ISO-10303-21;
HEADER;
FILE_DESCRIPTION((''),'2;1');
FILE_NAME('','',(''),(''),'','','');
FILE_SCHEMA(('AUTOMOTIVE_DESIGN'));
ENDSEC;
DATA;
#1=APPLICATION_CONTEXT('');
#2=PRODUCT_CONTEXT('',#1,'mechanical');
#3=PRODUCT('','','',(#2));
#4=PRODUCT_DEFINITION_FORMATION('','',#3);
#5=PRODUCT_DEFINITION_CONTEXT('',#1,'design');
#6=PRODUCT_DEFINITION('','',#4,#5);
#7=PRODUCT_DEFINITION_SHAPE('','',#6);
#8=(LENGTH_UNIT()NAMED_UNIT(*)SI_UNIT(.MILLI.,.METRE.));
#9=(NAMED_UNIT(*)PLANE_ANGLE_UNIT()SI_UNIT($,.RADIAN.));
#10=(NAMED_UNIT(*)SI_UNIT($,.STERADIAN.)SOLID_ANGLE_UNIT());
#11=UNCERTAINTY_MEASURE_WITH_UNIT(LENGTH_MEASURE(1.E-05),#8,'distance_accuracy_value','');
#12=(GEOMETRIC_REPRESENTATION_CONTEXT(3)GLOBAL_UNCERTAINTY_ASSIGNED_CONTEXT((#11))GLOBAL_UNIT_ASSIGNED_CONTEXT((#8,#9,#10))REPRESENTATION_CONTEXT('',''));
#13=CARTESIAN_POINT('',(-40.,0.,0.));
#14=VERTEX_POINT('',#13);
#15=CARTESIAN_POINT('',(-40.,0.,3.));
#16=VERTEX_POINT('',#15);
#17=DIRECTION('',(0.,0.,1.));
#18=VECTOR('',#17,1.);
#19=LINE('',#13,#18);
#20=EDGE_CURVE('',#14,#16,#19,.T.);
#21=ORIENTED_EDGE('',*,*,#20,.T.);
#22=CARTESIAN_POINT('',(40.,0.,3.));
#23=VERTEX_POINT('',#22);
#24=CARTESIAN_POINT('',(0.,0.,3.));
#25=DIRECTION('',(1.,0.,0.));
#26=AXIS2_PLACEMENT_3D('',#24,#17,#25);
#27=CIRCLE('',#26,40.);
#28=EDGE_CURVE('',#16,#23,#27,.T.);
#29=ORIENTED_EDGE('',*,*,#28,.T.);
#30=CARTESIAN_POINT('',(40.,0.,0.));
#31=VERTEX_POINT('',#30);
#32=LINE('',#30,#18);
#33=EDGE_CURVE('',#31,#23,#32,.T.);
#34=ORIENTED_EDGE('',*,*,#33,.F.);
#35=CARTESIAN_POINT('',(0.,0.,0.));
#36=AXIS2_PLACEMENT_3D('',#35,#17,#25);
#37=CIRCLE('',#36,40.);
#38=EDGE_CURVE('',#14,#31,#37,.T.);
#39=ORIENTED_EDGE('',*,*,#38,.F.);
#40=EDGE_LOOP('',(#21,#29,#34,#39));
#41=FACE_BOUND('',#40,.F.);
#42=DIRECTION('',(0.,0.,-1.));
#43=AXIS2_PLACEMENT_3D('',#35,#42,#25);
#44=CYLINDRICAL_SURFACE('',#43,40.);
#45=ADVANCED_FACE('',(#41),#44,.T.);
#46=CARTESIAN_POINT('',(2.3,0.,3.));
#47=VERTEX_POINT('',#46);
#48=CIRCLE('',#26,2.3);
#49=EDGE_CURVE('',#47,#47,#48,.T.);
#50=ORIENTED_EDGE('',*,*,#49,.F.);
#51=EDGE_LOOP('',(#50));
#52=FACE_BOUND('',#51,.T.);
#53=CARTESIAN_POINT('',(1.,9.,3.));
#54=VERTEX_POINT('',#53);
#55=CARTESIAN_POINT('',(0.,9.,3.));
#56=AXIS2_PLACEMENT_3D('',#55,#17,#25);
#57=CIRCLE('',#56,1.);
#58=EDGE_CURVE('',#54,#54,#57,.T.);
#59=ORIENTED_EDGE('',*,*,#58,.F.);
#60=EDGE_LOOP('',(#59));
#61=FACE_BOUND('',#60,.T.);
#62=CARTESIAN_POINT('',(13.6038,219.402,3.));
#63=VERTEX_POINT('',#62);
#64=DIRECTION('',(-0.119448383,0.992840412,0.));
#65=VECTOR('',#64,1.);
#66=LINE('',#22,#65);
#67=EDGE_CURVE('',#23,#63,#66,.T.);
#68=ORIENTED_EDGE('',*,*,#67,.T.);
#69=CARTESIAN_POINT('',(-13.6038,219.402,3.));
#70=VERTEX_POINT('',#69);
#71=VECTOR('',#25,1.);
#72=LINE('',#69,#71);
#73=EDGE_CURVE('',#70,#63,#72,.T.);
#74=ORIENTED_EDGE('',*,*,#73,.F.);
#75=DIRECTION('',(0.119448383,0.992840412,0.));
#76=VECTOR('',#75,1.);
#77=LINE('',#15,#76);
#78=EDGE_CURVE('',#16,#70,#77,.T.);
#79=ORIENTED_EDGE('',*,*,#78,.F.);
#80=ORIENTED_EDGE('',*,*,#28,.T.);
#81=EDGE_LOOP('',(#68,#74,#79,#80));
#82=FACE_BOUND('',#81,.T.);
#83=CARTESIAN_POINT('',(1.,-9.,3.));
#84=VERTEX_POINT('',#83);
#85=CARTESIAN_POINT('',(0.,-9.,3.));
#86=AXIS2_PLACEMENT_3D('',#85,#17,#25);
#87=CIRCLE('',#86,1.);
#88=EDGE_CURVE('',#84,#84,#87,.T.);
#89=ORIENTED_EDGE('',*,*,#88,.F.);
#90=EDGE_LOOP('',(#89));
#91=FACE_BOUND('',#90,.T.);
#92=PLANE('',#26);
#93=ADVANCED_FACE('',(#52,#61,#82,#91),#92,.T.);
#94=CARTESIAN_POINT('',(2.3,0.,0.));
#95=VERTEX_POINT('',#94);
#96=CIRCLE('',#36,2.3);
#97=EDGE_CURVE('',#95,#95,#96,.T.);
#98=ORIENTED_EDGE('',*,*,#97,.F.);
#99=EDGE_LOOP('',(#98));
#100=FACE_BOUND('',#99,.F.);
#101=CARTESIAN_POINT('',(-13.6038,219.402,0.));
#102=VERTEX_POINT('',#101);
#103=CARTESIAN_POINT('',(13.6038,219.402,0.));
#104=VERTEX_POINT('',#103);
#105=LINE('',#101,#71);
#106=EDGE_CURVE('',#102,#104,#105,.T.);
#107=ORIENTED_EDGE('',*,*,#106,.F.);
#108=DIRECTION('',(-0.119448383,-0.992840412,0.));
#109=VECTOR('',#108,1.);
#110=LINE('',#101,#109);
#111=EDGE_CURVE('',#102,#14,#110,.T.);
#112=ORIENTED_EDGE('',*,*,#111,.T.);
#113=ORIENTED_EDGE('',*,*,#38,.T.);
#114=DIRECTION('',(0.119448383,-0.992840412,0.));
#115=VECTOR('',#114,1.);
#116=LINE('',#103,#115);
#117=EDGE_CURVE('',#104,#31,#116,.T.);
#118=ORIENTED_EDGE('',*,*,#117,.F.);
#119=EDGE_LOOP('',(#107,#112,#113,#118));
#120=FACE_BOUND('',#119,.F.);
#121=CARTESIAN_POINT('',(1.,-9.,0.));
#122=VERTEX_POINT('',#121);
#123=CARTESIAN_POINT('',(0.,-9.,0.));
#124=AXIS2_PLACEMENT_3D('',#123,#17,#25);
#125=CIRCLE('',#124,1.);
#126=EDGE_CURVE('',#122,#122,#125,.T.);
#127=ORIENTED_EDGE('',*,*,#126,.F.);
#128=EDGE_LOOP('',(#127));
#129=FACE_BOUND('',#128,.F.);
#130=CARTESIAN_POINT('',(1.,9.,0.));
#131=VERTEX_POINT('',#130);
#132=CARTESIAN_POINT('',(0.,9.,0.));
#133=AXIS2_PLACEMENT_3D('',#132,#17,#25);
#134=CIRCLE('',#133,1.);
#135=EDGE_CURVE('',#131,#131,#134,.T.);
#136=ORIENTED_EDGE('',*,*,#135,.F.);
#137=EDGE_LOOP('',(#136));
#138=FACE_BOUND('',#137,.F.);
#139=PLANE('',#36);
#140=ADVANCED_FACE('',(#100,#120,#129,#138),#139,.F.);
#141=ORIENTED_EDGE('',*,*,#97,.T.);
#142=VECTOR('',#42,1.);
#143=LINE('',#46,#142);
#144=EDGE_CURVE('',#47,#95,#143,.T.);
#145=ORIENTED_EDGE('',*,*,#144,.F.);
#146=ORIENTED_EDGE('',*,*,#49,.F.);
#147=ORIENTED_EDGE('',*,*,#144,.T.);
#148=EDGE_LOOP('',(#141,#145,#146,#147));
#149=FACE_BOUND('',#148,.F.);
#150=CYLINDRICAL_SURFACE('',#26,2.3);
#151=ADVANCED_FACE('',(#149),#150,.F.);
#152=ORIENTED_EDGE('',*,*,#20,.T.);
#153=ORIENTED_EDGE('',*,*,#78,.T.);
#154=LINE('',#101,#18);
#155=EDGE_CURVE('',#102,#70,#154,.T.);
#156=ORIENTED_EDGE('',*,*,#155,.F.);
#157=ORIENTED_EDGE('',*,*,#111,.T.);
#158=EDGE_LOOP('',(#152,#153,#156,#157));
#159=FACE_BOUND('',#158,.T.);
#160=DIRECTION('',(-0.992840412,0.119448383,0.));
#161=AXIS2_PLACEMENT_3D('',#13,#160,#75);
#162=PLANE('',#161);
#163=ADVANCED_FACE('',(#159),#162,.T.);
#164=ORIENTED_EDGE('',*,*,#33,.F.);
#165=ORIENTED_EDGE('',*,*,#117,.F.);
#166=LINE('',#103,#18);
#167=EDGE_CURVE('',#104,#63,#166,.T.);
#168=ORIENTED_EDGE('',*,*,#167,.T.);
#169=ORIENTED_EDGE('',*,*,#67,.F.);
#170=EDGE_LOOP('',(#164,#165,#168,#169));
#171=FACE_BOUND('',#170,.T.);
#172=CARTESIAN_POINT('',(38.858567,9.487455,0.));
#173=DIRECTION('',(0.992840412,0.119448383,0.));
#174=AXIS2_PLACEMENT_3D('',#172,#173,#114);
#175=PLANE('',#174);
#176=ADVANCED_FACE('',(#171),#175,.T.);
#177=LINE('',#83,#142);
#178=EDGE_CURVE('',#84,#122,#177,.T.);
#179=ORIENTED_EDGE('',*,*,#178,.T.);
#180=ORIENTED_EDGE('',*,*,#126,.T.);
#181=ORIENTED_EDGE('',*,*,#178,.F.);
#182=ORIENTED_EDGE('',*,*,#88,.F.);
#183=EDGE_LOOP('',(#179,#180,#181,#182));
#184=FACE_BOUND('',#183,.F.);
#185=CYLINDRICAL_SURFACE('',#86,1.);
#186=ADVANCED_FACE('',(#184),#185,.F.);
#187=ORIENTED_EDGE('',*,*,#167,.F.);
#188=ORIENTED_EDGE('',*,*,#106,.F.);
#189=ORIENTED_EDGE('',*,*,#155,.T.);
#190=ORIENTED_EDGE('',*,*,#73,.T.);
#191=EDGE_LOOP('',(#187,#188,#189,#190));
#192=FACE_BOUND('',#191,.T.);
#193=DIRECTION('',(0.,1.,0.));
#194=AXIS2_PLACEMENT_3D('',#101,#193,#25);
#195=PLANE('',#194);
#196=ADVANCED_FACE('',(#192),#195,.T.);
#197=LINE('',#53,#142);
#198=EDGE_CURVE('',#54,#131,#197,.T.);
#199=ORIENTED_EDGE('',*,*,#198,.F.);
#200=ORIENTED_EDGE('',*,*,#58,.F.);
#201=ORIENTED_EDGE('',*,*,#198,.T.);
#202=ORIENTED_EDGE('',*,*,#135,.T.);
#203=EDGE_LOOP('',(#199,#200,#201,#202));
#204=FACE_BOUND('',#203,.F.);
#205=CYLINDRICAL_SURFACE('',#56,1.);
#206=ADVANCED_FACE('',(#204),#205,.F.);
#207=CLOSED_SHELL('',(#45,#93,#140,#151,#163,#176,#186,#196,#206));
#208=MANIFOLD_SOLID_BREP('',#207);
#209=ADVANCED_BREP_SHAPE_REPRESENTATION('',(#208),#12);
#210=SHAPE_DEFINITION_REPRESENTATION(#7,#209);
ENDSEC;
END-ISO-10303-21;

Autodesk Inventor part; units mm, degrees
ref_plane "YZ Plane" through (0, 0, 0) normal (1, 0, 0) x (0, 1, 0)
ref_plane "XZ Plane" through (0, 0, 0) normal (0, 1, 0) x (-1, 0, 0)
ref_plane "XY Plane" through (0, 0, 0) normal (0, 0, 1) x (1, 0, 0)
sketch "Эскиз1" plane through (0, 0, 0) normal (0, 0, 1) x (1, 0, 0)
  circle A0 centre (0, 0) radius 40
  line L0 (-40, 0) -> (-13.6038, 219.402)
  line L1 (-13.6038, 219.402) -> (13.6038, 219.402)
  line L2 (13.6038, 219.402) -> (40, 0)
  line L3 (0, 0) -> (0, 40) construction
  line L4 (0, 0) -> (40, 0) construction
  point P0 (0, 219.402)
  dimension "d0" = 80
extrude "Выдавливание1" add sketch "Эскиз1" along normal blind 3 contours L0 A0 L2 | L0 L1 L2 A0
sketch "Эскиз2" plane through (0, 0, 3) normal (0, 0, 1) x (1, 0, 0)
  arc A0 (3, 2.25) -> (-3, 2.25) centre (0, 0) ccw construction
  line L0 (-1.9929, 14.1684) -> (-3, 2.25) construction
  arc A1 (1.9929, 14.1684) -> (-1.9929, 14.1684) centre (0, 14) ccw construction
  line L1 (3, 2.25) -> (1.9929, 14.1684) construction
  circle A2 centre (0, 13) radius 0.5 construction
  circle A3 centre (0, 11) radius 0.5 construction
  circle A4 centre (0, 9) radius 0.5 construction
  circle A5 centre (0, 7) radius 0.5 construction
  circle A6 centre (0, 5) radius 0.5 construction
  circle A7 centre (0, 15) radius 0.5 construction
  arc A8 (-1.9929, -14.1684) -> (1.9929, -14.1684) centre (0, -14) ccw construction
  line L2 (-3, -2.25) -> (-1.9929, -14.1684) construction
  arc A9 (-3, -2.25) -> (3, -2.25) centre (0, 0) ccw construction
  line L3 (1.9929, -14.1684) -> (3, -2.25) construction
  circle A10 centre (0, -5) radius 0.5 construction
  circle A11 centre (0, -7) radius 0.5 construction
  circle A12 centre (0, -9) radius 0.5 construction
  circle A13 centre (0, -11) radius 0.5 construction
  circle A14 centre (0, -13) radius 0.5 construction
  circle A15 centre (0, -15) radius 0.5 construction
  circle A16 centre (0, 0) radius 2.3 projected
  circle A17 centre (0, 9) radius 1
  circle A18 centre (0, -9) radius 1
  point P0 (0, 0)
  dimension "d3" = 2
  dimension "d4" = 2
extrude "Выдавливание2" cut sketch "Эскиз2" against normal blind 10
properties part number "ухо"
